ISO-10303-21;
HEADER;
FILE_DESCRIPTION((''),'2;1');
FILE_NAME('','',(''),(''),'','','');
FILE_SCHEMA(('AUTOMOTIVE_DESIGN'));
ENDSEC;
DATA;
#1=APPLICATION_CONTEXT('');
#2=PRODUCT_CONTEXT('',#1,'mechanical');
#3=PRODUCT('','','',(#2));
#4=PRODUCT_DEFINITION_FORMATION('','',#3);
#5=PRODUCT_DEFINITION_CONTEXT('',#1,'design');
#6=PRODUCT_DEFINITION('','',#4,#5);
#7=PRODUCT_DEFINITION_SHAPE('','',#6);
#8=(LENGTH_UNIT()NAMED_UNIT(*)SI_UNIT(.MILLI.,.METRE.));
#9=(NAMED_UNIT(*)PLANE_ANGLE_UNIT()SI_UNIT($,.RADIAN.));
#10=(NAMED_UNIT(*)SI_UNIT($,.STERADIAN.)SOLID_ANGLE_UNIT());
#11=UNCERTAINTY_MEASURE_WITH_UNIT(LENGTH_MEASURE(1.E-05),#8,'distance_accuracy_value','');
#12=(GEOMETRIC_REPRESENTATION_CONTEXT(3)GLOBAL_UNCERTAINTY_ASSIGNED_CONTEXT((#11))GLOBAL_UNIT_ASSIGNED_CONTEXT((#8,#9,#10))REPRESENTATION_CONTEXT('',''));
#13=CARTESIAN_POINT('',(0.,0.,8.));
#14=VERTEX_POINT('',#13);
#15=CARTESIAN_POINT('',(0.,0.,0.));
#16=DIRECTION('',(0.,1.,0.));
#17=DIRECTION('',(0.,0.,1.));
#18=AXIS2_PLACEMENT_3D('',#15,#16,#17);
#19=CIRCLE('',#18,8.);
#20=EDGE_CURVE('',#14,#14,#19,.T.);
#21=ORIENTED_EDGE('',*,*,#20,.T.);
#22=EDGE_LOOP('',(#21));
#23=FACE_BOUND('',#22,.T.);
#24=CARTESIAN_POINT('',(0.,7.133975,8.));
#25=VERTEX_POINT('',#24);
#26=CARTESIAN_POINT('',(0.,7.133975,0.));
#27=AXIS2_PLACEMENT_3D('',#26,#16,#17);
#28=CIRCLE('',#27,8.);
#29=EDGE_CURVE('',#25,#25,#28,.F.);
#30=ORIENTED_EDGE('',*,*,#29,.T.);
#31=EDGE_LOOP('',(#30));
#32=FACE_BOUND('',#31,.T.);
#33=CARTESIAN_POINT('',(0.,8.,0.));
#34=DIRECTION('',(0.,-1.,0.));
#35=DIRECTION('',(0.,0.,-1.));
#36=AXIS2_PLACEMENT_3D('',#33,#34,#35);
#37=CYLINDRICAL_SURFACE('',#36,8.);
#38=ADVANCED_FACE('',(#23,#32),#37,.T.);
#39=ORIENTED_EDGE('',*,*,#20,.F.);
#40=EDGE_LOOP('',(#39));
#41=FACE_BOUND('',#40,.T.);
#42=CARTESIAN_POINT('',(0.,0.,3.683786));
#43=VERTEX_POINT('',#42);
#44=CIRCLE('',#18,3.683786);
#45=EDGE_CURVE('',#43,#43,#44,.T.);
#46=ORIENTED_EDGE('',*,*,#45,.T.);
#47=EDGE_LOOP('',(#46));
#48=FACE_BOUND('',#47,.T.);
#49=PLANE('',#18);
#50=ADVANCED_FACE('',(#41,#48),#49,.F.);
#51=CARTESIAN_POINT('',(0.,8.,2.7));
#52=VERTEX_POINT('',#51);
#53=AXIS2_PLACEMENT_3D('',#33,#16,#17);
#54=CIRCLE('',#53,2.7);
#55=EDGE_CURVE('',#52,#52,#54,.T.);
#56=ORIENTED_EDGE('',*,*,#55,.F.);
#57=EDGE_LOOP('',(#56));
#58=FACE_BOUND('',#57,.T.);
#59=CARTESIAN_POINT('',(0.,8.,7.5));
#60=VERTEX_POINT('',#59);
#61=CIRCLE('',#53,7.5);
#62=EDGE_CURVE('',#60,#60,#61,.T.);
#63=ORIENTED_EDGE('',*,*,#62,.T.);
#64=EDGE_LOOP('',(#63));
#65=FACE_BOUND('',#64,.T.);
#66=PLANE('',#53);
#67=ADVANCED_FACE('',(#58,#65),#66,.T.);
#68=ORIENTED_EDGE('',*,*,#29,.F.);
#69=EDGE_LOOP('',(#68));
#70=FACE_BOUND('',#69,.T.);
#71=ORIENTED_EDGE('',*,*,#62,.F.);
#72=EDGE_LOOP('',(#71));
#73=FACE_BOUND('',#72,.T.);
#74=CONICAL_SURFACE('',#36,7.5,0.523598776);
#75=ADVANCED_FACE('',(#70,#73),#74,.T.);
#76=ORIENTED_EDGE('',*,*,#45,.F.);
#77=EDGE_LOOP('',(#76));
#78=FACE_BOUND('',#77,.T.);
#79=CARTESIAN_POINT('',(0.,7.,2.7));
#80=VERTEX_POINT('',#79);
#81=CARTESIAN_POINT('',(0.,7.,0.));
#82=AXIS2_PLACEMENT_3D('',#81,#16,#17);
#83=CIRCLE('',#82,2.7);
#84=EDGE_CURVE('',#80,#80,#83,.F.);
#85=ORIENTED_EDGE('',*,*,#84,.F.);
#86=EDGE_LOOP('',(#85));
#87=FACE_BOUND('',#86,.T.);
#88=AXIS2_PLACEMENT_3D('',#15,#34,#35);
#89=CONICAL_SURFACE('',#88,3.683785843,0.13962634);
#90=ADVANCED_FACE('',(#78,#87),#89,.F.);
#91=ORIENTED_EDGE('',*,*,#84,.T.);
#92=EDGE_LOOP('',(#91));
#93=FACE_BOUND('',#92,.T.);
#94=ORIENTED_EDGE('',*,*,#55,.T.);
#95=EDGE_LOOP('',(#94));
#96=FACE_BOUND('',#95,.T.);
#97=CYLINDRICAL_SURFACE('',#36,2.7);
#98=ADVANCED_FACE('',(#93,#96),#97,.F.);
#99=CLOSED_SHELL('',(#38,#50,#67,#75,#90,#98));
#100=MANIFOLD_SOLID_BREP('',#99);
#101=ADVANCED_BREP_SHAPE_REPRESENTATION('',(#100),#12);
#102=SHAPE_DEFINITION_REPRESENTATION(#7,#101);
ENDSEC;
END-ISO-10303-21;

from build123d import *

# Parameters (mm, degrees)
SKETCH1_R           = 8
SKETCH1_R_2         = 2.7
BOSS_EXTRUDE1_DEPTH = 8
CHAMFER1_SIZE       = 7
CHAMFER1_SIZE2      = 0.983785843
CHAMFER2_SIZE       = 0.5
CHAMFER2_SIZE2      = 0.866025404


with BuildPart() as part:
    # Sketch1 → Boss-Extrude1 (new body)
    with BuildSketch(Plane(origin=(0, 0, 0), x_dir=(1, 0, 0), z_dir=(0, 1, 0))):
        with Locations(Location((0, 0, 0), (0, 0, 270))):
            Circle(SKETCH1_R)
        with Locations(Location((0, 0, 0), (0, 0, 270))):
            Circle(SKETCH1_R_2, mode=Mode.SUBTRACT)
    extrude(amount=BOSS_EXTRUDE1_DEPTH)

    # Chamfer1
    chamfer1_edges = [part.edges().sort_by_distance(p)[0] for p in [
        (0, 0, -2.7),
    ]]
    chamfer1_side = [part.faces().sort_by_distance(p)[0] for p in [
        (0, 4, -2.7),
    ]]
    chamfer(chamfer1_edges, length=CHAMFER1_SIZE, length2=CHAMFER1_SIZE2, reference=chamfer1_side[0])

    # Chamfer2
    chamfer2_edges = [part.edges().sort_by_distance(p)[0] for p in [
        (0, 8, -8),
    ]]
    chamfer2_side = [part.faces().sort_by_distance(p)[0] for p in [
        (0, 8, -7.77372583),
    ]]
    chamfer(chamfer2_edges, length=CHAMFER2_SIZE, length2=CHAMFER2_SIZE2, reference=chamfer2_side[0])


solid = part.part
